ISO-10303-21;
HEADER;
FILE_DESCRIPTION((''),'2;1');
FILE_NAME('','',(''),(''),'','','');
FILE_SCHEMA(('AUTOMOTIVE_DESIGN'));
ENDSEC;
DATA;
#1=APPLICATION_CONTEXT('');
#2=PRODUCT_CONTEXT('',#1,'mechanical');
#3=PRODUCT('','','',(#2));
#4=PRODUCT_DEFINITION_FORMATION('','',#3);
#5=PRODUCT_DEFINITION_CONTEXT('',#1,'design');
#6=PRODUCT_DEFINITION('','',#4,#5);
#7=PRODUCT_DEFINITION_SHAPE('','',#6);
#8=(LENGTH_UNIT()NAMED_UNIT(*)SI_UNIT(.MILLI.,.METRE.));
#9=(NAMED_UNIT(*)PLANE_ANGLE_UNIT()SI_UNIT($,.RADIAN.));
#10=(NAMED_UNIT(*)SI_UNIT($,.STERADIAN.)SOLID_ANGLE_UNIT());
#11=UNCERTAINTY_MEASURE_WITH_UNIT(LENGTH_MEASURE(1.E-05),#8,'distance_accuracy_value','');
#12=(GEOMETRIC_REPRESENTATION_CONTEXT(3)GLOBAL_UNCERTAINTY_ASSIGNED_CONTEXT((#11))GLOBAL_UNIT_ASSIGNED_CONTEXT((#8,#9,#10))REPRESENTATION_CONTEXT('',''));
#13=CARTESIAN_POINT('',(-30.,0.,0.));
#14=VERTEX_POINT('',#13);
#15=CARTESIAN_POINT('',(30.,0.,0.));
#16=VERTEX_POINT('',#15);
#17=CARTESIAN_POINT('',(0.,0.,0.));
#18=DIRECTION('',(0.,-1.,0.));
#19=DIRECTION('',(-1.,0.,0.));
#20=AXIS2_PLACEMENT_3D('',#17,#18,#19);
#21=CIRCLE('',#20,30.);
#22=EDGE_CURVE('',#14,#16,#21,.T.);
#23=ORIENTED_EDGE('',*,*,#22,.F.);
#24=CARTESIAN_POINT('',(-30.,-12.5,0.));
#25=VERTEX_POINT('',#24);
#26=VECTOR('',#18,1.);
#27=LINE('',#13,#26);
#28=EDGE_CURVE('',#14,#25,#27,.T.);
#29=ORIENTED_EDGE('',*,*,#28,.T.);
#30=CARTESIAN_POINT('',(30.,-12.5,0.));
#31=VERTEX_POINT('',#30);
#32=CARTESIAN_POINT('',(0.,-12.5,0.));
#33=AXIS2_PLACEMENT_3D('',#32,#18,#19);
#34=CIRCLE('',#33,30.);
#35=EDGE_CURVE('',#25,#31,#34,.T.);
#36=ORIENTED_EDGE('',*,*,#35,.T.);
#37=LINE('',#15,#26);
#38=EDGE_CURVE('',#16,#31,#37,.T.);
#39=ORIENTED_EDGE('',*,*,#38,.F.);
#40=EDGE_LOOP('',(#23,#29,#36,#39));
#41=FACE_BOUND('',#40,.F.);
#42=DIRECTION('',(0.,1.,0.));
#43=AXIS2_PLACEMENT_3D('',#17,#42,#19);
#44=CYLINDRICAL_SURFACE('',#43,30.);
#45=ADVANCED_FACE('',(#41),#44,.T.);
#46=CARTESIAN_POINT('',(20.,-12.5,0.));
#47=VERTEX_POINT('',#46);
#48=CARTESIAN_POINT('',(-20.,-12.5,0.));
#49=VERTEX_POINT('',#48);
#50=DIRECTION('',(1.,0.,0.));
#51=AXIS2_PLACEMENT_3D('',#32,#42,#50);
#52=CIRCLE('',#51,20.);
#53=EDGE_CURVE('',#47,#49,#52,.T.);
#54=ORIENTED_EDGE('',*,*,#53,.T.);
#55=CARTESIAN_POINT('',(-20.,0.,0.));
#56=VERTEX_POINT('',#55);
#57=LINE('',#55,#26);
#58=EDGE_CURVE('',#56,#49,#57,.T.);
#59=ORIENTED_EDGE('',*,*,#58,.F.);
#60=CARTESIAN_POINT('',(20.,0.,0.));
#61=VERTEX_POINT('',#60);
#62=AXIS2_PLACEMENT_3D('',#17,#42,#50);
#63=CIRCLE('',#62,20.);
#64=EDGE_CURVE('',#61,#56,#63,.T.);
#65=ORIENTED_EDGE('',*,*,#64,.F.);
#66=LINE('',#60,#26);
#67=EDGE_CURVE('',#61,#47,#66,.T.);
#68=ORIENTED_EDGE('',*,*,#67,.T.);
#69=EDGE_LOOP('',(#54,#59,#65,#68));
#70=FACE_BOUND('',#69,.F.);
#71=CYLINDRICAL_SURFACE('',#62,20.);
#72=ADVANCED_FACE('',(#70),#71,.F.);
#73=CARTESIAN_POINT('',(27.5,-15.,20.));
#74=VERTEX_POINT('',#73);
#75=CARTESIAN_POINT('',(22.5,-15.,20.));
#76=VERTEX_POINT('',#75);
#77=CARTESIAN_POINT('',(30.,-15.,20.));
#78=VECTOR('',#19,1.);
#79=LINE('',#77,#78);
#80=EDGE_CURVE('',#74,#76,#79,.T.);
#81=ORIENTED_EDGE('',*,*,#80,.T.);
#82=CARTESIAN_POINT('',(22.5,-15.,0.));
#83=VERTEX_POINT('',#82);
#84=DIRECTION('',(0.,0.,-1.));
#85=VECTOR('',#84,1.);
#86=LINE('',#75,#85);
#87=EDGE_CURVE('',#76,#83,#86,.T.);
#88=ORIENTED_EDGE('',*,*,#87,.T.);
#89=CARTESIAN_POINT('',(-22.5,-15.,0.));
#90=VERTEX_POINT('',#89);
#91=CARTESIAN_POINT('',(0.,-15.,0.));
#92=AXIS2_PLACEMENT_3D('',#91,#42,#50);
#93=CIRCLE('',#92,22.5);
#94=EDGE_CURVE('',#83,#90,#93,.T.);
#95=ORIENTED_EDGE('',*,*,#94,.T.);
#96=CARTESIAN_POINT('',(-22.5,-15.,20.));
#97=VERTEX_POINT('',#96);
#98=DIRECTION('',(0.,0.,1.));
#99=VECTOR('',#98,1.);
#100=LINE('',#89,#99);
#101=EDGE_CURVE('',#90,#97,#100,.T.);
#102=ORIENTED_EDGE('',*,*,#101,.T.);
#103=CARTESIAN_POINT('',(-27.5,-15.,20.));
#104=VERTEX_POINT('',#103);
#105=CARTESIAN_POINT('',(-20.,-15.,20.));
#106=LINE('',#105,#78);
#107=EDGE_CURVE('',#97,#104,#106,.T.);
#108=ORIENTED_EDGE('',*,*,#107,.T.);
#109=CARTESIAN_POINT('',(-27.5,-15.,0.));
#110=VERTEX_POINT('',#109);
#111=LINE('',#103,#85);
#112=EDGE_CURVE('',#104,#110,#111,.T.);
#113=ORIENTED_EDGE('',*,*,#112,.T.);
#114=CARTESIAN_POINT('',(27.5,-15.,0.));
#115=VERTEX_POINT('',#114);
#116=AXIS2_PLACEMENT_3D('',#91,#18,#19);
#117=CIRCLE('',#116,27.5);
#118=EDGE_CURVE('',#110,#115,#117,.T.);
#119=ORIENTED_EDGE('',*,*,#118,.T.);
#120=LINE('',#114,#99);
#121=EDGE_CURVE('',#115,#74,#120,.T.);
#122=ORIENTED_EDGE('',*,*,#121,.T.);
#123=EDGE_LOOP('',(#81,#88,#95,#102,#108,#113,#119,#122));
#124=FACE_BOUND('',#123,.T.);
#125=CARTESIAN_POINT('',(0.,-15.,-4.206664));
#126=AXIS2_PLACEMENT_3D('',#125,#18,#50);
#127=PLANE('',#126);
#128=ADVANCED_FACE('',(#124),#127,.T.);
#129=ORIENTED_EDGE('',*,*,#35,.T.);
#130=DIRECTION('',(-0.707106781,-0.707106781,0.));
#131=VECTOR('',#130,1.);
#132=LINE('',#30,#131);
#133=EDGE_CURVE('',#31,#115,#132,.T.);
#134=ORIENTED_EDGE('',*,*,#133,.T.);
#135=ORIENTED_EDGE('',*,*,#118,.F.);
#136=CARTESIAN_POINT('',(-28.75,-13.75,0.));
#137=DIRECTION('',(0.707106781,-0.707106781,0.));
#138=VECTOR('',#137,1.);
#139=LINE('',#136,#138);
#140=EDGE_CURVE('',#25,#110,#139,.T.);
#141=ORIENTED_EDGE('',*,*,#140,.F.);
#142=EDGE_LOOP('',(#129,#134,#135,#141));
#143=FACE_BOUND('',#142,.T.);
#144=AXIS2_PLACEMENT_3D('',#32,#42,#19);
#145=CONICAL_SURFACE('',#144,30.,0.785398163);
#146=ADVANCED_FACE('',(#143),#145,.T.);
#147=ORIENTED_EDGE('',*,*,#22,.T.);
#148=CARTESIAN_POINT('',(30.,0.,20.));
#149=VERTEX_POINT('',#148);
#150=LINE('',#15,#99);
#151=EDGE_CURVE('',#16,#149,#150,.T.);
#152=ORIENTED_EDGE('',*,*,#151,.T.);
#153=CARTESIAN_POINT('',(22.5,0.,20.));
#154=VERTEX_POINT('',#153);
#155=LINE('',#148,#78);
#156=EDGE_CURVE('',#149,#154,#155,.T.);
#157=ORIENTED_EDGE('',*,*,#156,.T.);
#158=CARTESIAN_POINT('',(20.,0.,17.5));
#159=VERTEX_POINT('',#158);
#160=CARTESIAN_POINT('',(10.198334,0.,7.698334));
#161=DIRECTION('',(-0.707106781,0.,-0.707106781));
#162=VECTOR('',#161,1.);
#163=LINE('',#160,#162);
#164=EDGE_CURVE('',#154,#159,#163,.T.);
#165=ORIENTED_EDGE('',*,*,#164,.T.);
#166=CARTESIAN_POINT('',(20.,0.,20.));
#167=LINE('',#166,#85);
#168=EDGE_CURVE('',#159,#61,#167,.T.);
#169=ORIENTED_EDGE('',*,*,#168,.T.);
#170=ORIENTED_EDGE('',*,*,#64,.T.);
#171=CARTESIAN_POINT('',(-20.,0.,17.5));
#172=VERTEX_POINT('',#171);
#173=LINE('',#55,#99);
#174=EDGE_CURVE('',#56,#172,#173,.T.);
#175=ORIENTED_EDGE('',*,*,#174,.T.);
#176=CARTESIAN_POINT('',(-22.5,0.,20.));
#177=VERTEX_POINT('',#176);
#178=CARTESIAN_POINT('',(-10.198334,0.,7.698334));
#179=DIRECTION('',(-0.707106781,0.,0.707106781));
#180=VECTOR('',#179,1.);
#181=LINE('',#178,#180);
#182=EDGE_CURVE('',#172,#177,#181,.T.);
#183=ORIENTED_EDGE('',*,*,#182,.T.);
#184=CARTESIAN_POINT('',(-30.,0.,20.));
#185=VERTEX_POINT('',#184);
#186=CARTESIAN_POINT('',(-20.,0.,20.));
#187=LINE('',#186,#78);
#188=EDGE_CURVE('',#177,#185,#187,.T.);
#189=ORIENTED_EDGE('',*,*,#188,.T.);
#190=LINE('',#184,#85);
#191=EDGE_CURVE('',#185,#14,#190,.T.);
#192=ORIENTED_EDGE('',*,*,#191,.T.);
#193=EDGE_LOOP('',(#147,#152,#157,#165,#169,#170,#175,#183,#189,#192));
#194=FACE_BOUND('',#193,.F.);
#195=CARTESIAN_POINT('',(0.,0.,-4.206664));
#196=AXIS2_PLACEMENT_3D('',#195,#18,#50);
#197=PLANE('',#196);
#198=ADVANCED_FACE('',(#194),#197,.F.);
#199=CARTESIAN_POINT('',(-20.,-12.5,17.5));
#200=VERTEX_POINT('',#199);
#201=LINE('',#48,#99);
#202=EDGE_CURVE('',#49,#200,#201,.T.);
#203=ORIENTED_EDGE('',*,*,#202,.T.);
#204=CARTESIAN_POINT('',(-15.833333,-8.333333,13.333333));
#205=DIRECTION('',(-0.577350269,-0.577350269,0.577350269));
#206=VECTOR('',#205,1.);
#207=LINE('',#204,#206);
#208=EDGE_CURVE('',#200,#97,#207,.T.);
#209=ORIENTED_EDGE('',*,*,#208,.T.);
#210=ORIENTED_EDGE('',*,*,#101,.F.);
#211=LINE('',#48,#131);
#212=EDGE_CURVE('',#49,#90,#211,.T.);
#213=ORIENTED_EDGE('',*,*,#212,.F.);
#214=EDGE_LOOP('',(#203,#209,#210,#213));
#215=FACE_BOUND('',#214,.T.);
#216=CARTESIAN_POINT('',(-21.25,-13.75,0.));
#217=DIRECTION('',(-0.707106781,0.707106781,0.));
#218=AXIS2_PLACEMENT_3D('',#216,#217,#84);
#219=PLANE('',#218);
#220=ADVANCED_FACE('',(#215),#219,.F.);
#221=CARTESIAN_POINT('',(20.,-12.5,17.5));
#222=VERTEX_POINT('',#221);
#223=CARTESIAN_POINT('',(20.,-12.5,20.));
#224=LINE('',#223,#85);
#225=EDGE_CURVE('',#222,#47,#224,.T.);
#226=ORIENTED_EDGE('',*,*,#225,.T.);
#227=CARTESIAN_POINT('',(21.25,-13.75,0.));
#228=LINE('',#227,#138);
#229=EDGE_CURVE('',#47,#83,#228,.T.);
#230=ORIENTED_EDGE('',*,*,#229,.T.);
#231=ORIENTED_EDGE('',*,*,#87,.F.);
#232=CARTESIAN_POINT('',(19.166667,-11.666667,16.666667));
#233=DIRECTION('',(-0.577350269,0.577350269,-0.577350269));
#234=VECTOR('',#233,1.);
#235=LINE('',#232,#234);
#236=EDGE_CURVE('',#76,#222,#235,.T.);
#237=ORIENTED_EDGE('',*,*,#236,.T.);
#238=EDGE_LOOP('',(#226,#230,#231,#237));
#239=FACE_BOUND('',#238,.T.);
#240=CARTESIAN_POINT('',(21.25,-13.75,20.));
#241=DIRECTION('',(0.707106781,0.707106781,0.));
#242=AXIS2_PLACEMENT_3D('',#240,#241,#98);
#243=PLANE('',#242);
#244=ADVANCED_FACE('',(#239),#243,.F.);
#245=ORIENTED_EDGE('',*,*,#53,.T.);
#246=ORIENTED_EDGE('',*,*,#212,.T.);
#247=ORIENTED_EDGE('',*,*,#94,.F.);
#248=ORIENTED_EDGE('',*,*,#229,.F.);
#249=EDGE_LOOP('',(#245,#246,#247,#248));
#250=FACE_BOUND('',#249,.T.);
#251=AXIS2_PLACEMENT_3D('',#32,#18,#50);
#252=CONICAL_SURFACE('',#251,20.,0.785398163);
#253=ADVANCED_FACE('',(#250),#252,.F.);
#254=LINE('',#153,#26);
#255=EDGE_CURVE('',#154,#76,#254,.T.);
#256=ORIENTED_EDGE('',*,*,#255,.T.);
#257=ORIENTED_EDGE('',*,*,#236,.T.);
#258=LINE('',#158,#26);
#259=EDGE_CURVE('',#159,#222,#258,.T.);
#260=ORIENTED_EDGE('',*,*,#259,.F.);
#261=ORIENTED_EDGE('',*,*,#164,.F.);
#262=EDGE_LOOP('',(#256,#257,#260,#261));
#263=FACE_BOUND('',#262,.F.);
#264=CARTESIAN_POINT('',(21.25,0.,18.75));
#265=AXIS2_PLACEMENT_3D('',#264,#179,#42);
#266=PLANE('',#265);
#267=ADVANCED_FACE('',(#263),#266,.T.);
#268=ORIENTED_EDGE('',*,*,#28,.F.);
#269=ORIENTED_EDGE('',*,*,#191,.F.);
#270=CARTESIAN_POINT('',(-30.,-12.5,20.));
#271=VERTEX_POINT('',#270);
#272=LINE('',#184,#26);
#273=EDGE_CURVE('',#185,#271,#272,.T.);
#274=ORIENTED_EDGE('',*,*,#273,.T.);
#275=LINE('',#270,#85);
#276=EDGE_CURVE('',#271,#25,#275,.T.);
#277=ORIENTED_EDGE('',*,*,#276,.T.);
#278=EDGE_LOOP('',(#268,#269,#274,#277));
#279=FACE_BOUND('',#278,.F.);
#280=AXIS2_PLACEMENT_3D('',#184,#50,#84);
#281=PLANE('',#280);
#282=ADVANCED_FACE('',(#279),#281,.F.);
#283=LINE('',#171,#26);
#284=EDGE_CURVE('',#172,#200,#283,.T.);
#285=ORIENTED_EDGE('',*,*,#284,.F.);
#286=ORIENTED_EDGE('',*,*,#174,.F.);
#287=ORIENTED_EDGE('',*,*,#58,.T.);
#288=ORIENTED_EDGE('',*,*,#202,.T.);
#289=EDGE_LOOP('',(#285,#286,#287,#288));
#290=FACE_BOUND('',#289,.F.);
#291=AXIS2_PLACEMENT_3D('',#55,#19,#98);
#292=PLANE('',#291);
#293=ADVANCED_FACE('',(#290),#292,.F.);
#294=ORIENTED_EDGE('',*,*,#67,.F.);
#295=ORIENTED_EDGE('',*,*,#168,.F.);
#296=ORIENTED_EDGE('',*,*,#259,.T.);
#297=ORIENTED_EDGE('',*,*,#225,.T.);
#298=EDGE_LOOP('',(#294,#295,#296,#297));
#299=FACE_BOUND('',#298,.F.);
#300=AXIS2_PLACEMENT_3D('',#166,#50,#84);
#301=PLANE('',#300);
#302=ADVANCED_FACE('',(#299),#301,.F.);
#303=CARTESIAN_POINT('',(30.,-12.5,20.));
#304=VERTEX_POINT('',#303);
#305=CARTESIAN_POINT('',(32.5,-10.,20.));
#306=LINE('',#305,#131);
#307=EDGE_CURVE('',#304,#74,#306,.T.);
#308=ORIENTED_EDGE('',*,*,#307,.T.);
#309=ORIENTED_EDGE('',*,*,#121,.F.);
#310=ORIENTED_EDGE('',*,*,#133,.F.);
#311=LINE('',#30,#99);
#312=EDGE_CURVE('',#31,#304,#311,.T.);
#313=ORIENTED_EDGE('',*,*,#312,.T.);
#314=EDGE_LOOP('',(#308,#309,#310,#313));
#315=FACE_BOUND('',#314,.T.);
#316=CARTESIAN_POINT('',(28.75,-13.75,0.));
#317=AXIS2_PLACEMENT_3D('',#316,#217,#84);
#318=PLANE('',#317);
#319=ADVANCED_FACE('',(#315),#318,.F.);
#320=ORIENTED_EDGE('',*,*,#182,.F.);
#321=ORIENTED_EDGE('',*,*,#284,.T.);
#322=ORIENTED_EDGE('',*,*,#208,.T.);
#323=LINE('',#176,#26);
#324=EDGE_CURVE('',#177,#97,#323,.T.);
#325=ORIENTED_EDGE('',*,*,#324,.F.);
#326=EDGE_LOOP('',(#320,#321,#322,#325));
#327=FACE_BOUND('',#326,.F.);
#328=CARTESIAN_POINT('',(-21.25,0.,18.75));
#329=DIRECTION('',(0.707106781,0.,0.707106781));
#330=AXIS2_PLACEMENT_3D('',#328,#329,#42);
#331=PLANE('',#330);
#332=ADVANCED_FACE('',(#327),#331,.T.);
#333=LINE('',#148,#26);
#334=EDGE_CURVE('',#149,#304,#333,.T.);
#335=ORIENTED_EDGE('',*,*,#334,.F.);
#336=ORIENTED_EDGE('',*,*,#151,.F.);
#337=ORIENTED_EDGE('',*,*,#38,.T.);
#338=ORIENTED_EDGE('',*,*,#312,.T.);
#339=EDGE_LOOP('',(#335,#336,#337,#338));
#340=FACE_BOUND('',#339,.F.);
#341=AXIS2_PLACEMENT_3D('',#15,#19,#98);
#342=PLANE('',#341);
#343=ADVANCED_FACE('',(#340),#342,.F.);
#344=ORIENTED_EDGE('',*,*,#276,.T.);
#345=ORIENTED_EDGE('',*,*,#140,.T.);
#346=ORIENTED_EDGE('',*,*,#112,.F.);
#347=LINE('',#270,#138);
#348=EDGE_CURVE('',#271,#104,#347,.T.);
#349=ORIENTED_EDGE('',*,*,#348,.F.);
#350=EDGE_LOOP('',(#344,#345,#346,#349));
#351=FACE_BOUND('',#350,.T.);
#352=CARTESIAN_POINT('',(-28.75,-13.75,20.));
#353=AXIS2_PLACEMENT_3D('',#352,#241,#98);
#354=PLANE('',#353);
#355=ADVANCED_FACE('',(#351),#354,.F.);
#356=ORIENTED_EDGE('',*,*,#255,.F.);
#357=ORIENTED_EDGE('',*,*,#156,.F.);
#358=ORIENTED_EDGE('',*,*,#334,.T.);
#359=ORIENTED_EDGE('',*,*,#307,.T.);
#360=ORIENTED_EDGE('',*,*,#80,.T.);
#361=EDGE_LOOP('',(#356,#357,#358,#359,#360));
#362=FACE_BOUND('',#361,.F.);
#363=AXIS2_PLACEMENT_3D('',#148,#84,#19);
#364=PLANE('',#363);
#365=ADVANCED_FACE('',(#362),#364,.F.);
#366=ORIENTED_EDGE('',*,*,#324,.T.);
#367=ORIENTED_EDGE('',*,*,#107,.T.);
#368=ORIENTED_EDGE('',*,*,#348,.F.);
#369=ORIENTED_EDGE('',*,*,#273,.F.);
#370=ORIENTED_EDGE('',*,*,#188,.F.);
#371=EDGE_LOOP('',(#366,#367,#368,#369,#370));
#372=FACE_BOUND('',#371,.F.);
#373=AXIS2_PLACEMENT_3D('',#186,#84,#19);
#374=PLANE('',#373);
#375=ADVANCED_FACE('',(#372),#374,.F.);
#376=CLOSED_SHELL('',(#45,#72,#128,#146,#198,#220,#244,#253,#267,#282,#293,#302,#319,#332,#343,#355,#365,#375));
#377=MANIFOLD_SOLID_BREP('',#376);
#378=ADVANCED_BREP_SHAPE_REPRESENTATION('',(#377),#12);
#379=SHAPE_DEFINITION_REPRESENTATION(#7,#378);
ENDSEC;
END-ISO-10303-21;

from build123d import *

# Parameters (mm, degrees)
F1_DEPTH = 15
F2_SIZE  = 2.5


with BuildPart() as f1:
    # F0 (on Front) → F1 (new body)
    with BuildSketch(Plane.XZ):
        with BuildLine():
            ThreePointArc((20, 0), (0, -20), (-20, 0))
            Line((-20, 0), (-20, 20))
            Line((-20, 20), (-30, 20))
            Line((-30, 20), (-30, 0))
            ThreePointArc((-30, 0), (0, -30), (30, 0))
            Line((30, 0), (30, 20))
            Line((30, 20), (20, 20))
            Line((20, 20), (20, 0))
        make_face()
    extrude(amount=F1_DEPTH)

    # F2
    f2_edges = [f1.edges().sort_by_distance(p)[0] for p in [
        (20, -7.5, 20),
        (-20, -7.5, 20),
        (30, -15, 10),
        (-20, -15, 10),
    ]]
    chamfer(f2_edges, length=F2_SIZE)


solid = f1.part
